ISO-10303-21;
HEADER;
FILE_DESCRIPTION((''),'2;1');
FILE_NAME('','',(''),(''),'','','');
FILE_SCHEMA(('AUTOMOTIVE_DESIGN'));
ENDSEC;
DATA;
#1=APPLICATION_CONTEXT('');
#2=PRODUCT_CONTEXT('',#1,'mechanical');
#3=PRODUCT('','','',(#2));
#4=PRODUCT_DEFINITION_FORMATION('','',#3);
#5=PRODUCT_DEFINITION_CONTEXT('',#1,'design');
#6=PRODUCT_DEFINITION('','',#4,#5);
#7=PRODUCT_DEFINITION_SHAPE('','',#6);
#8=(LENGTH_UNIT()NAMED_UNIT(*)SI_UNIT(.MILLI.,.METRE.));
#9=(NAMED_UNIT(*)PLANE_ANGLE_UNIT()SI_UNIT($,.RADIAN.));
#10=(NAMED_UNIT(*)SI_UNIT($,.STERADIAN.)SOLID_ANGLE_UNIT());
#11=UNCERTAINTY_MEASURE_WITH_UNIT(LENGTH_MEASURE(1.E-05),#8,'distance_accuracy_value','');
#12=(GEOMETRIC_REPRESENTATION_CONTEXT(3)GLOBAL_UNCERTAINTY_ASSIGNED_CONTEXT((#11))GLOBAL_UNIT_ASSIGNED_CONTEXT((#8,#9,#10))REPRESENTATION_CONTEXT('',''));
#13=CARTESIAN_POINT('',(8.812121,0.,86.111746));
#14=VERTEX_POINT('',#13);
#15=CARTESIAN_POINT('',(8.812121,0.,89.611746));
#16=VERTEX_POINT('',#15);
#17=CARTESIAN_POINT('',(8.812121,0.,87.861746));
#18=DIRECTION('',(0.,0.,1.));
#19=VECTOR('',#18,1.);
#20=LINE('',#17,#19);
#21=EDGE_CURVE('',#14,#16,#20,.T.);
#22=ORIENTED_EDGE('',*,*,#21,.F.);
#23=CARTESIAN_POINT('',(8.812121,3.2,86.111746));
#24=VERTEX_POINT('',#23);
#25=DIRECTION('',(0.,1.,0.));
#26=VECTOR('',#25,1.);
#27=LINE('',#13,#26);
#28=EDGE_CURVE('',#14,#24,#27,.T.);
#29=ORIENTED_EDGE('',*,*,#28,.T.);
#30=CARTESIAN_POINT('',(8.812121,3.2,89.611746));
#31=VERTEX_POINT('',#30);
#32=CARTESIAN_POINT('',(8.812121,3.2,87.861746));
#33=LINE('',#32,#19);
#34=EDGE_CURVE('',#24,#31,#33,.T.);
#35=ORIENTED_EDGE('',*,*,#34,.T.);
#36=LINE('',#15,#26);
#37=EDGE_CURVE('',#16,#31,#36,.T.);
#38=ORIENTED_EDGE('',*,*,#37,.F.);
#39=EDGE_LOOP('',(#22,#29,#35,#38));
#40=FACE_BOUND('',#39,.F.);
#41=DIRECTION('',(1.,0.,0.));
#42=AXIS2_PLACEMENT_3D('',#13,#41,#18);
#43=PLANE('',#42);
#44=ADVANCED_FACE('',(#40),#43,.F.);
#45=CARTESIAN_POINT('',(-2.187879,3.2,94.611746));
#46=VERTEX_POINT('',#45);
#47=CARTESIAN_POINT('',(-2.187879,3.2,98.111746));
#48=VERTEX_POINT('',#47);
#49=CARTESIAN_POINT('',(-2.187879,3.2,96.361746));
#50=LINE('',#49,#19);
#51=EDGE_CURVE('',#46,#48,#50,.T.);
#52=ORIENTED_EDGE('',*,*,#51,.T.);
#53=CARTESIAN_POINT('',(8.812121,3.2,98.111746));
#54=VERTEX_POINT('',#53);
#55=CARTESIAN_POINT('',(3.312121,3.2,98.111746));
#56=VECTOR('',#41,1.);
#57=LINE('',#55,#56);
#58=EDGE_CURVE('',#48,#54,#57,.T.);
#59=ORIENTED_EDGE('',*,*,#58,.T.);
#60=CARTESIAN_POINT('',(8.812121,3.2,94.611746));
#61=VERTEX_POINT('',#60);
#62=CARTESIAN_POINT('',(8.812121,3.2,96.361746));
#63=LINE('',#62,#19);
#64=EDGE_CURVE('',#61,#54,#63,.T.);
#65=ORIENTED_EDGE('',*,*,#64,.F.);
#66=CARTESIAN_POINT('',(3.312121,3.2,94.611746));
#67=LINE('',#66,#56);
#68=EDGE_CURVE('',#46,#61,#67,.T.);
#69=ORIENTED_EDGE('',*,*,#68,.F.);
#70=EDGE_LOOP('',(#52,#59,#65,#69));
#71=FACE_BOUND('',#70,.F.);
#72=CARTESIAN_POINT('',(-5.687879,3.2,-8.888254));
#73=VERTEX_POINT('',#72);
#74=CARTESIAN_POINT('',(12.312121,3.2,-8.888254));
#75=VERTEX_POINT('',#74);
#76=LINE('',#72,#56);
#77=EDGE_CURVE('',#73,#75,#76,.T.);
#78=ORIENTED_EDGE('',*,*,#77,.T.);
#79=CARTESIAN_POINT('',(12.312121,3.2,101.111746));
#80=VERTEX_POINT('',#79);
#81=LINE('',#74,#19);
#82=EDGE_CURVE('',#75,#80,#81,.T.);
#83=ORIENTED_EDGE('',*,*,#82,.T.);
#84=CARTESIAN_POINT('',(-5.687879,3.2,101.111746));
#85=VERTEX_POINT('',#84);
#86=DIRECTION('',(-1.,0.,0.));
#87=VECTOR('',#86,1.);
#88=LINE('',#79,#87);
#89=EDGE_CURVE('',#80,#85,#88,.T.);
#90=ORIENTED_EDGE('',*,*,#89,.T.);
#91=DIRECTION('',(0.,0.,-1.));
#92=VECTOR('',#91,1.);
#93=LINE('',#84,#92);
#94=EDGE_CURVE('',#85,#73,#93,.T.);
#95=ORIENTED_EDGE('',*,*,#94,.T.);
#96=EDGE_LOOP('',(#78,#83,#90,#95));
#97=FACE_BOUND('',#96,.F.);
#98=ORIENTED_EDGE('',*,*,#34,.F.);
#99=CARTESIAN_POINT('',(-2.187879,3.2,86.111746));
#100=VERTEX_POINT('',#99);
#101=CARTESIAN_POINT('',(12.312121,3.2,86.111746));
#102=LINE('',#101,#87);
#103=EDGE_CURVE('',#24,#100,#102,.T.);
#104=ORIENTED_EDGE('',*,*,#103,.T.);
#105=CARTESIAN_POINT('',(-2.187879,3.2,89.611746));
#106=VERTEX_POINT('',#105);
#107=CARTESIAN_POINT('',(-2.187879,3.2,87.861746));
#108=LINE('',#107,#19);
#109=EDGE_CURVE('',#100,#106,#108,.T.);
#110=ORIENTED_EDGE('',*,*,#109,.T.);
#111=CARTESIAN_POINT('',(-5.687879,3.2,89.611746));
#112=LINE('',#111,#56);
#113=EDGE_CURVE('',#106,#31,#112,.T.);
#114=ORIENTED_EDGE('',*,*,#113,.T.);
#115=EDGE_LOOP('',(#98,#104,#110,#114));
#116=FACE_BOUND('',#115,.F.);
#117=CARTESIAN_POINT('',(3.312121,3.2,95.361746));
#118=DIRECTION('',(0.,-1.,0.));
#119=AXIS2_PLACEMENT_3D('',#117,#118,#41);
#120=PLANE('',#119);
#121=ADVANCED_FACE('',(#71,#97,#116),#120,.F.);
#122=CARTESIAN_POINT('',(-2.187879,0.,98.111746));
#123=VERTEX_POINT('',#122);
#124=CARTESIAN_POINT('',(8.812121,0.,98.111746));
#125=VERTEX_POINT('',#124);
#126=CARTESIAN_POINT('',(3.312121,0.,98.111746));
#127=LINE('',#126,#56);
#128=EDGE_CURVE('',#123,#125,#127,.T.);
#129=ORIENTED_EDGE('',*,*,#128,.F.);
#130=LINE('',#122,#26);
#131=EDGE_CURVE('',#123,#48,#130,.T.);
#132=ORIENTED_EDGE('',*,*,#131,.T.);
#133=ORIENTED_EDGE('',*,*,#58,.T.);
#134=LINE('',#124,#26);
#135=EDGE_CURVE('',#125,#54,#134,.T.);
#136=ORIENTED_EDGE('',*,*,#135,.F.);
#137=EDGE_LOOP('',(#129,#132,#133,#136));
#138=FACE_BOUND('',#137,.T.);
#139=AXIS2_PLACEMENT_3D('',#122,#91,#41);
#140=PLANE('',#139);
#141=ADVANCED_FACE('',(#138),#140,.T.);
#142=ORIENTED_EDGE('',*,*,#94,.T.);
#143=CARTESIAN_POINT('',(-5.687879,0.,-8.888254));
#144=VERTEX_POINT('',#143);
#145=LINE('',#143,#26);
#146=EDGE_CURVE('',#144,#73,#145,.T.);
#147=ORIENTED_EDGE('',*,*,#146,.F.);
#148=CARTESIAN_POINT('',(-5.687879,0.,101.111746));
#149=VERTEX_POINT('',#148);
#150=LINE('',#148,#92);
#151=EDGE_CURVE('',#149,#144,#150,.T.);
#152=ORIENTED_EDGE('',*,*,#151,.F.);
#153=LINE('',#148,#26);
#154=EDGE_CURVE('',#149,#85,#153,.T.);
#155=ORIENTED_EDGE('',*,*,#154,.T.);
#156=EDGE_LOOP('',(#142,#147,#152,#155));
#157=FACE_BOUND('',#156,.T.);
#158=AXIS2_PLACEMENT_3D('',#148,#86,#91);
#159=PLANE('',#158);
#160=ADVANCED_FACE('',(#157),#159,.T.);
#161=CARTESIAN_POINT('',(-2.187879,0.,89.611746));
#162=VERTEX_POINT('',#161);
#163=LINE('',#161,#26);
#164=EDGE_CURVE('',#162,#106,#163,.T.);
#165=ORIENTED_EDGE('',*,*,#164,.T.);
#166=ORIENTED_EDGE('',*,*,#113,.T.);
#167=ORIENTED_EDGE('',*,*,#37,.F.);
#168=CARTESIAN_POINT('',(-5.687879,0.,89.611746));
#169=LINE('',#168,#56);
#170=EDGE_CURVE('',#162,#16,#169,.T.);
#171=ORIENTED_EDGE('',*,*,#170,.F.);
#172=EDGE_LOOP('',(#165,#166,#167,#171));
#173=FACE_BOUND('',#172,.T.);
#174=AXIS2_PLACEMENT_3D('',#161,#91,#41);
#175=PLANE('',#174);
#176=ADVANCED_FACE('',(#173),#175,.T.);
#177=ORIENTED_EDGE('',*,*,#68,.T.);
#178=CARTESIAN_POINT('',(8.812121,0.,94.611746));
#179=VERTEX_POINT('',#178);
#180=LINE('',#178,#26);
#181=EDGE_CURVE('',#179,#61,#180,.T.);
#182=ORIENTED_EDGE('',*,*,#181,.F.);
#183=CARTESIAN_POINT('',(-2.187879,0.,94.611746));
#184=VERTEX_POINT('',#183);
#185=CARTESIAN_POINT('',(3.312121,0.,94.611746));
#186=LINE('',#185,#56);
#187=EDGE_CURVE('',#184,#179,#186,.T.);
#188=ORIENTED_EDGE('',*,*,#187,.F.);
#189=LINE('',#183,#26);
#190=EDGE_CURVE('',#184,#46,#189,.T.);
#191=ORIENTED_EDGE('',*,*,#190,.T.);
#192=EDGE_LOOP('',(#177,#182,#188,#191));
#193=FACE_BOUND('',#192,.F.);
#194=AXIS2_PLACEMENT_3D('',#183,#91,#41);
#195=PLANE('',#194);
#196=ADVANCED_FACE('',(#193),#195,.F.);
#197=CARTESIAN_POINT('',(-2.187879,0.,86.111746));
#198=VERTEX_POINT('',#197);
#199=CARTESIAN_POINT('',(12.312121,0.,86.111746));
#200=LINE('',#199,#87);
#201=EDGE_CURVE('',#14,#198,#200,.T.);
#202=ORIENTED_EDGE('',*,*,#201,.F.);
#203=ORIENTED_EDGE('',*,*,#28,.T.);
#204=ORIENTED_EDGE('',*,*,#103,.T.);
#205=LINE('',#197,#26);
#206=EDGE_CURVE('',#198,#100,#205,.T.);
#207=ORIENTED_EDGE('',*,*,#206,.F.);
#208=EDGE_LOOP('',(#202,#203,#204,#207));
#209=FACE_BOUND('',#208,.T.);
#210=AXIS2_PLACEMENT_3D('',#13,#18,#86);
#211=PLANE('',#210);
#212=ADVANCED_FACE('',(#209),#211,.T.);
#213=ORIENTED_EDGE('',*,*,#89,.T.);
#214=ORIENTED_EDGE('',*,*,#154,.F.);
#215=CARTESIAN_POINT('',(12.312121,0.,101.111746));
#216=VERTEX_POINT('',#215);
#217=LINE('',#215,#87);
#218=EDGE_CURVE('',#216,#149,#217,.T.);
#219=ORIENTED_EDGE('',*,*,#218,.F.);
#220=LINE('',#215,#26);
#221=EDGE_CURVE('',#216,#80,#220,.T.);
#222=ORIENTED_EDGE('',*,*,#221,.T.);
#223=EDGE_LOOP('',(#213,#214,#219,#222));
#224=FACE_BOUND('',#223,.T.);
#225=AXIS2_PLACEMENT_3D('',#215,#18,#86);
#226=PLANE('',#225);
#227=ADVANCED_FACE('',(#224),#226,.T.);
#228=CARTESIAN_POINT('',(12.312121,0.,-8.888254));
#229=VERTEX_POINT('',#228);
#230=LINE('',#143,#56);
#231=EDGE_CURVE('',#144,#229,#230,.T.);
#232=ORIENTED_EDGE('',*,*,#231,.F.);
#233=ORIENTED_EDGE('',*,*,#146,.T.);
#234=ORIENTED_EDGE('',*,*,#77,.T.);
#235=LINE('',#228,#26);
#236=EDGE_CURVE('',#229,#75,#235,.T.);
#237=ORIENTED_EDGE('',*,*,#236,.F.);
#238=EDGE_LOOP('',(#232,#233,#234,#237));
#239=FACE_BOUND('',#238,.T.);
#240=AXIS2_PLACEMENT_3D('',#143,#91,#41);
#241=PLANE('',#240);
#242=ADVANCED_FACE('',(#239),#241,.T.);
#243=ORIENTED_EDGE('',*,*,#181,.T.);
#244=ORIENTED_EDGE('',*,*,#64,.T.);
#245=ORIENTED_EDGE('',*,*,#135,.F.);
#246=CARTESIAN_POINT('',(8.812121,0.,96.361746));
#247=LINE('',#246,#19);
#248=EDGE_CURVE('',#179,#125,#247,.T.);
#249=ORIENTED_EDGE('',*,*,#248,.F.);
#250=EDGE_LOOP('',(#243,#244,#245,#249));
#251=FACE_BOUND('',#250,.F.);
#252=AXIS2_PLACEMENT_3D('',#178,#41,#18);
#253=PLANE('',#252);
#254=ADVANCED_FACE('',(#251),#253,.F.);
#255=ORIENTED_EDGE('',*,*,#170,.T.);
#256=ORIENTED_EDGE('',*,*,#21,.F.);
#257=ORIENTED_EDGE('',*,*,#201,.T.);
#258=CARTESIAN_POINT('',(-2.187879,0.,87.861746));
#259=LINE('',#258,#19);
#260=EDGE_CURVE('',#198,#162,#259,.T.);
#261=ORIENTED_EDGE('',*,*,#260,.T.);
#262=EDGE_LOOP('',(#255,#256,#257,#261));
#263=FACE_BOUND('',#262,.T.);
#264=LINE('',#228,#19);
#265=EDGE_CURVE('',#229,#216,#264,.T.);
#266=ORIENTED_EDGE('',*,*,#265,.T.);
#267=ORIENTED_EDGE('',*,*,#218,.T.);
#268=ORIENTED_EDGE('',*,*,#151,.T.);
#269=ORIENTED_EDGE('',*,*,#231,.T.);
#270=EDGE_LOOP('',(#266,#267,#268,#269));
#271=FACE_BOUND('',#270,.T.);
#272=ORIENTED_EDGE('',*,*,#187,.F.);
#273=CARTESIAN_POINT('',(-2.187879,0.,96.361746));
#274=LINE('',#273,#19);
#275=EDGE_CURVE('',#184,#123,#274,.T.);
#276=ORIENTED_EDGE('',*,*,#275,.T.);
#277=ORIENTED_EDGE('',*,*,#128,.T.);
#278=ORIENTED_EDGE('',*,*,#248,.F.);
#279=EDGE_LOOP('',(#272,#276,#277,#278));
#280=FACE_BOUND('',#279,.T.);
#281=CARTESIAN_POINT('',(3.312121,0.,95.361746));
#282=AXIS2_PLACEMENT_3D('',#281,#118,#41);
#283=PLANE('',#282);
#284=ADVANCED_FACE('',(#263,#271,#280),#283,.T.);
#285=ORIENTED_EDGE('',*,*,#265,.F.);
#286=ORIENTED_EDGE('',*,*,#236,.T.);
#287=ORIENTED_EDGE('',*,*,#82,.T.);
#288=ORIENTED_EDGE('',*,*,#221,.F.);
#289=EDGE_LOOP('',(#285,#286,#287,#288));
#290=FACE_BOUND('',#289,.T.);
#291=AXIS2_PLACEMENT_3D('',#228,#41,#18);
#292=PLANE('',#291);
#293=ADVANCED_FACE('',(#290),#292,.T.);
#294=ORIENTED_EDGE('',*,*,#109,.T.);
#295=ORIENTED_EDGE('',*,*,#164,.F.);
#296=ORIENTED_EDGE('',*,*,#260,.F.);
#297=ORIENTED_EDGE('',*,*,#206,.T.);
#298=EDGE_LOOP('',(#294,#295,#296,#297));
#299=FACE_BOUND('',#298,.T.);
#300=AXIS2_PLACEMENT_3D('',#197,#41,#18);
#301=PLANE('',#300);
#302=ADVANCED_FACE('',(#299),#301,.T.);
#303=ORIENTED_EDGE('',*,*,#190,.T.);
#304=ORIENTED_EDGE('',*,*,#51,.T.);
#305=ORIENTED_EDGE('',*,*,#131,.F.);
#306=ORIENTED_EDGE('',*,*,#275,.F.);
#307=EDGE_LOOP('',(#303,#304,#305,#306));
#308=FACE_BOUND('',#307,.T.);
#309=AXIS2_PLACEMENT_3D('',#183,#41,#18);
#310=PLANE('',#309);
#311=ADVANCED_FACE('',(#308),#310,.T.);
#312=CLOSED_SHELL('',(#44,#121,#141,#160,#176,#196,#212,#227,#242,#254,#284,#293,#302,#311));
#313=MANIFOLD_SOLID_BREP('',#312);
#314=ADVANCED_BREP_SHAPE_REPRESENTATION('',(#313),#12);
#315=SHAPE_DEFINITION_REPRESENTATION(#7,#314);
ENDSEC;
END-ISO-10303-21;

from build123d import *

# Parameters (mm, degrees)
F0_W     = 11
F0_H     = 3.5
F0_W_2   = 3.5
F1_DEPTH = 3.2


with BuildPart() as f1:
    # F0 (on Front) → F1 (new body)
    with BuildSketch(Plane.XZ):
        Polygon((12.312121, 101.111746), (-5.687879, 101.111746), (-5.687879, 89.611746), (-2.187879, 89.611746), (8.812121, 89.611746), (12.312121, 89.611746), align=None)
        with Locations((3.312121, 96.361746)):
            Rectangle(F0_W, F0_H, mode=Mode.SUBTRACT)
        Polygon((-2.187879, 86.111746), (-5.687879, 86.111746), (-5.687879, -8.888254), (12.312121, -8.888254), (12.312121, 86.111746), (8.812121, 86.111746), align=None)
        with Locations((10.562121, 87.861746)):
            Rectangle(F0_W_2, F0_H)
        with Locations((-3.937879, 87.861746)):
            Rectangle(F0_W_2, F0_H)
    extrude(amount=-F1_DEPTH)


solid = f1.part
